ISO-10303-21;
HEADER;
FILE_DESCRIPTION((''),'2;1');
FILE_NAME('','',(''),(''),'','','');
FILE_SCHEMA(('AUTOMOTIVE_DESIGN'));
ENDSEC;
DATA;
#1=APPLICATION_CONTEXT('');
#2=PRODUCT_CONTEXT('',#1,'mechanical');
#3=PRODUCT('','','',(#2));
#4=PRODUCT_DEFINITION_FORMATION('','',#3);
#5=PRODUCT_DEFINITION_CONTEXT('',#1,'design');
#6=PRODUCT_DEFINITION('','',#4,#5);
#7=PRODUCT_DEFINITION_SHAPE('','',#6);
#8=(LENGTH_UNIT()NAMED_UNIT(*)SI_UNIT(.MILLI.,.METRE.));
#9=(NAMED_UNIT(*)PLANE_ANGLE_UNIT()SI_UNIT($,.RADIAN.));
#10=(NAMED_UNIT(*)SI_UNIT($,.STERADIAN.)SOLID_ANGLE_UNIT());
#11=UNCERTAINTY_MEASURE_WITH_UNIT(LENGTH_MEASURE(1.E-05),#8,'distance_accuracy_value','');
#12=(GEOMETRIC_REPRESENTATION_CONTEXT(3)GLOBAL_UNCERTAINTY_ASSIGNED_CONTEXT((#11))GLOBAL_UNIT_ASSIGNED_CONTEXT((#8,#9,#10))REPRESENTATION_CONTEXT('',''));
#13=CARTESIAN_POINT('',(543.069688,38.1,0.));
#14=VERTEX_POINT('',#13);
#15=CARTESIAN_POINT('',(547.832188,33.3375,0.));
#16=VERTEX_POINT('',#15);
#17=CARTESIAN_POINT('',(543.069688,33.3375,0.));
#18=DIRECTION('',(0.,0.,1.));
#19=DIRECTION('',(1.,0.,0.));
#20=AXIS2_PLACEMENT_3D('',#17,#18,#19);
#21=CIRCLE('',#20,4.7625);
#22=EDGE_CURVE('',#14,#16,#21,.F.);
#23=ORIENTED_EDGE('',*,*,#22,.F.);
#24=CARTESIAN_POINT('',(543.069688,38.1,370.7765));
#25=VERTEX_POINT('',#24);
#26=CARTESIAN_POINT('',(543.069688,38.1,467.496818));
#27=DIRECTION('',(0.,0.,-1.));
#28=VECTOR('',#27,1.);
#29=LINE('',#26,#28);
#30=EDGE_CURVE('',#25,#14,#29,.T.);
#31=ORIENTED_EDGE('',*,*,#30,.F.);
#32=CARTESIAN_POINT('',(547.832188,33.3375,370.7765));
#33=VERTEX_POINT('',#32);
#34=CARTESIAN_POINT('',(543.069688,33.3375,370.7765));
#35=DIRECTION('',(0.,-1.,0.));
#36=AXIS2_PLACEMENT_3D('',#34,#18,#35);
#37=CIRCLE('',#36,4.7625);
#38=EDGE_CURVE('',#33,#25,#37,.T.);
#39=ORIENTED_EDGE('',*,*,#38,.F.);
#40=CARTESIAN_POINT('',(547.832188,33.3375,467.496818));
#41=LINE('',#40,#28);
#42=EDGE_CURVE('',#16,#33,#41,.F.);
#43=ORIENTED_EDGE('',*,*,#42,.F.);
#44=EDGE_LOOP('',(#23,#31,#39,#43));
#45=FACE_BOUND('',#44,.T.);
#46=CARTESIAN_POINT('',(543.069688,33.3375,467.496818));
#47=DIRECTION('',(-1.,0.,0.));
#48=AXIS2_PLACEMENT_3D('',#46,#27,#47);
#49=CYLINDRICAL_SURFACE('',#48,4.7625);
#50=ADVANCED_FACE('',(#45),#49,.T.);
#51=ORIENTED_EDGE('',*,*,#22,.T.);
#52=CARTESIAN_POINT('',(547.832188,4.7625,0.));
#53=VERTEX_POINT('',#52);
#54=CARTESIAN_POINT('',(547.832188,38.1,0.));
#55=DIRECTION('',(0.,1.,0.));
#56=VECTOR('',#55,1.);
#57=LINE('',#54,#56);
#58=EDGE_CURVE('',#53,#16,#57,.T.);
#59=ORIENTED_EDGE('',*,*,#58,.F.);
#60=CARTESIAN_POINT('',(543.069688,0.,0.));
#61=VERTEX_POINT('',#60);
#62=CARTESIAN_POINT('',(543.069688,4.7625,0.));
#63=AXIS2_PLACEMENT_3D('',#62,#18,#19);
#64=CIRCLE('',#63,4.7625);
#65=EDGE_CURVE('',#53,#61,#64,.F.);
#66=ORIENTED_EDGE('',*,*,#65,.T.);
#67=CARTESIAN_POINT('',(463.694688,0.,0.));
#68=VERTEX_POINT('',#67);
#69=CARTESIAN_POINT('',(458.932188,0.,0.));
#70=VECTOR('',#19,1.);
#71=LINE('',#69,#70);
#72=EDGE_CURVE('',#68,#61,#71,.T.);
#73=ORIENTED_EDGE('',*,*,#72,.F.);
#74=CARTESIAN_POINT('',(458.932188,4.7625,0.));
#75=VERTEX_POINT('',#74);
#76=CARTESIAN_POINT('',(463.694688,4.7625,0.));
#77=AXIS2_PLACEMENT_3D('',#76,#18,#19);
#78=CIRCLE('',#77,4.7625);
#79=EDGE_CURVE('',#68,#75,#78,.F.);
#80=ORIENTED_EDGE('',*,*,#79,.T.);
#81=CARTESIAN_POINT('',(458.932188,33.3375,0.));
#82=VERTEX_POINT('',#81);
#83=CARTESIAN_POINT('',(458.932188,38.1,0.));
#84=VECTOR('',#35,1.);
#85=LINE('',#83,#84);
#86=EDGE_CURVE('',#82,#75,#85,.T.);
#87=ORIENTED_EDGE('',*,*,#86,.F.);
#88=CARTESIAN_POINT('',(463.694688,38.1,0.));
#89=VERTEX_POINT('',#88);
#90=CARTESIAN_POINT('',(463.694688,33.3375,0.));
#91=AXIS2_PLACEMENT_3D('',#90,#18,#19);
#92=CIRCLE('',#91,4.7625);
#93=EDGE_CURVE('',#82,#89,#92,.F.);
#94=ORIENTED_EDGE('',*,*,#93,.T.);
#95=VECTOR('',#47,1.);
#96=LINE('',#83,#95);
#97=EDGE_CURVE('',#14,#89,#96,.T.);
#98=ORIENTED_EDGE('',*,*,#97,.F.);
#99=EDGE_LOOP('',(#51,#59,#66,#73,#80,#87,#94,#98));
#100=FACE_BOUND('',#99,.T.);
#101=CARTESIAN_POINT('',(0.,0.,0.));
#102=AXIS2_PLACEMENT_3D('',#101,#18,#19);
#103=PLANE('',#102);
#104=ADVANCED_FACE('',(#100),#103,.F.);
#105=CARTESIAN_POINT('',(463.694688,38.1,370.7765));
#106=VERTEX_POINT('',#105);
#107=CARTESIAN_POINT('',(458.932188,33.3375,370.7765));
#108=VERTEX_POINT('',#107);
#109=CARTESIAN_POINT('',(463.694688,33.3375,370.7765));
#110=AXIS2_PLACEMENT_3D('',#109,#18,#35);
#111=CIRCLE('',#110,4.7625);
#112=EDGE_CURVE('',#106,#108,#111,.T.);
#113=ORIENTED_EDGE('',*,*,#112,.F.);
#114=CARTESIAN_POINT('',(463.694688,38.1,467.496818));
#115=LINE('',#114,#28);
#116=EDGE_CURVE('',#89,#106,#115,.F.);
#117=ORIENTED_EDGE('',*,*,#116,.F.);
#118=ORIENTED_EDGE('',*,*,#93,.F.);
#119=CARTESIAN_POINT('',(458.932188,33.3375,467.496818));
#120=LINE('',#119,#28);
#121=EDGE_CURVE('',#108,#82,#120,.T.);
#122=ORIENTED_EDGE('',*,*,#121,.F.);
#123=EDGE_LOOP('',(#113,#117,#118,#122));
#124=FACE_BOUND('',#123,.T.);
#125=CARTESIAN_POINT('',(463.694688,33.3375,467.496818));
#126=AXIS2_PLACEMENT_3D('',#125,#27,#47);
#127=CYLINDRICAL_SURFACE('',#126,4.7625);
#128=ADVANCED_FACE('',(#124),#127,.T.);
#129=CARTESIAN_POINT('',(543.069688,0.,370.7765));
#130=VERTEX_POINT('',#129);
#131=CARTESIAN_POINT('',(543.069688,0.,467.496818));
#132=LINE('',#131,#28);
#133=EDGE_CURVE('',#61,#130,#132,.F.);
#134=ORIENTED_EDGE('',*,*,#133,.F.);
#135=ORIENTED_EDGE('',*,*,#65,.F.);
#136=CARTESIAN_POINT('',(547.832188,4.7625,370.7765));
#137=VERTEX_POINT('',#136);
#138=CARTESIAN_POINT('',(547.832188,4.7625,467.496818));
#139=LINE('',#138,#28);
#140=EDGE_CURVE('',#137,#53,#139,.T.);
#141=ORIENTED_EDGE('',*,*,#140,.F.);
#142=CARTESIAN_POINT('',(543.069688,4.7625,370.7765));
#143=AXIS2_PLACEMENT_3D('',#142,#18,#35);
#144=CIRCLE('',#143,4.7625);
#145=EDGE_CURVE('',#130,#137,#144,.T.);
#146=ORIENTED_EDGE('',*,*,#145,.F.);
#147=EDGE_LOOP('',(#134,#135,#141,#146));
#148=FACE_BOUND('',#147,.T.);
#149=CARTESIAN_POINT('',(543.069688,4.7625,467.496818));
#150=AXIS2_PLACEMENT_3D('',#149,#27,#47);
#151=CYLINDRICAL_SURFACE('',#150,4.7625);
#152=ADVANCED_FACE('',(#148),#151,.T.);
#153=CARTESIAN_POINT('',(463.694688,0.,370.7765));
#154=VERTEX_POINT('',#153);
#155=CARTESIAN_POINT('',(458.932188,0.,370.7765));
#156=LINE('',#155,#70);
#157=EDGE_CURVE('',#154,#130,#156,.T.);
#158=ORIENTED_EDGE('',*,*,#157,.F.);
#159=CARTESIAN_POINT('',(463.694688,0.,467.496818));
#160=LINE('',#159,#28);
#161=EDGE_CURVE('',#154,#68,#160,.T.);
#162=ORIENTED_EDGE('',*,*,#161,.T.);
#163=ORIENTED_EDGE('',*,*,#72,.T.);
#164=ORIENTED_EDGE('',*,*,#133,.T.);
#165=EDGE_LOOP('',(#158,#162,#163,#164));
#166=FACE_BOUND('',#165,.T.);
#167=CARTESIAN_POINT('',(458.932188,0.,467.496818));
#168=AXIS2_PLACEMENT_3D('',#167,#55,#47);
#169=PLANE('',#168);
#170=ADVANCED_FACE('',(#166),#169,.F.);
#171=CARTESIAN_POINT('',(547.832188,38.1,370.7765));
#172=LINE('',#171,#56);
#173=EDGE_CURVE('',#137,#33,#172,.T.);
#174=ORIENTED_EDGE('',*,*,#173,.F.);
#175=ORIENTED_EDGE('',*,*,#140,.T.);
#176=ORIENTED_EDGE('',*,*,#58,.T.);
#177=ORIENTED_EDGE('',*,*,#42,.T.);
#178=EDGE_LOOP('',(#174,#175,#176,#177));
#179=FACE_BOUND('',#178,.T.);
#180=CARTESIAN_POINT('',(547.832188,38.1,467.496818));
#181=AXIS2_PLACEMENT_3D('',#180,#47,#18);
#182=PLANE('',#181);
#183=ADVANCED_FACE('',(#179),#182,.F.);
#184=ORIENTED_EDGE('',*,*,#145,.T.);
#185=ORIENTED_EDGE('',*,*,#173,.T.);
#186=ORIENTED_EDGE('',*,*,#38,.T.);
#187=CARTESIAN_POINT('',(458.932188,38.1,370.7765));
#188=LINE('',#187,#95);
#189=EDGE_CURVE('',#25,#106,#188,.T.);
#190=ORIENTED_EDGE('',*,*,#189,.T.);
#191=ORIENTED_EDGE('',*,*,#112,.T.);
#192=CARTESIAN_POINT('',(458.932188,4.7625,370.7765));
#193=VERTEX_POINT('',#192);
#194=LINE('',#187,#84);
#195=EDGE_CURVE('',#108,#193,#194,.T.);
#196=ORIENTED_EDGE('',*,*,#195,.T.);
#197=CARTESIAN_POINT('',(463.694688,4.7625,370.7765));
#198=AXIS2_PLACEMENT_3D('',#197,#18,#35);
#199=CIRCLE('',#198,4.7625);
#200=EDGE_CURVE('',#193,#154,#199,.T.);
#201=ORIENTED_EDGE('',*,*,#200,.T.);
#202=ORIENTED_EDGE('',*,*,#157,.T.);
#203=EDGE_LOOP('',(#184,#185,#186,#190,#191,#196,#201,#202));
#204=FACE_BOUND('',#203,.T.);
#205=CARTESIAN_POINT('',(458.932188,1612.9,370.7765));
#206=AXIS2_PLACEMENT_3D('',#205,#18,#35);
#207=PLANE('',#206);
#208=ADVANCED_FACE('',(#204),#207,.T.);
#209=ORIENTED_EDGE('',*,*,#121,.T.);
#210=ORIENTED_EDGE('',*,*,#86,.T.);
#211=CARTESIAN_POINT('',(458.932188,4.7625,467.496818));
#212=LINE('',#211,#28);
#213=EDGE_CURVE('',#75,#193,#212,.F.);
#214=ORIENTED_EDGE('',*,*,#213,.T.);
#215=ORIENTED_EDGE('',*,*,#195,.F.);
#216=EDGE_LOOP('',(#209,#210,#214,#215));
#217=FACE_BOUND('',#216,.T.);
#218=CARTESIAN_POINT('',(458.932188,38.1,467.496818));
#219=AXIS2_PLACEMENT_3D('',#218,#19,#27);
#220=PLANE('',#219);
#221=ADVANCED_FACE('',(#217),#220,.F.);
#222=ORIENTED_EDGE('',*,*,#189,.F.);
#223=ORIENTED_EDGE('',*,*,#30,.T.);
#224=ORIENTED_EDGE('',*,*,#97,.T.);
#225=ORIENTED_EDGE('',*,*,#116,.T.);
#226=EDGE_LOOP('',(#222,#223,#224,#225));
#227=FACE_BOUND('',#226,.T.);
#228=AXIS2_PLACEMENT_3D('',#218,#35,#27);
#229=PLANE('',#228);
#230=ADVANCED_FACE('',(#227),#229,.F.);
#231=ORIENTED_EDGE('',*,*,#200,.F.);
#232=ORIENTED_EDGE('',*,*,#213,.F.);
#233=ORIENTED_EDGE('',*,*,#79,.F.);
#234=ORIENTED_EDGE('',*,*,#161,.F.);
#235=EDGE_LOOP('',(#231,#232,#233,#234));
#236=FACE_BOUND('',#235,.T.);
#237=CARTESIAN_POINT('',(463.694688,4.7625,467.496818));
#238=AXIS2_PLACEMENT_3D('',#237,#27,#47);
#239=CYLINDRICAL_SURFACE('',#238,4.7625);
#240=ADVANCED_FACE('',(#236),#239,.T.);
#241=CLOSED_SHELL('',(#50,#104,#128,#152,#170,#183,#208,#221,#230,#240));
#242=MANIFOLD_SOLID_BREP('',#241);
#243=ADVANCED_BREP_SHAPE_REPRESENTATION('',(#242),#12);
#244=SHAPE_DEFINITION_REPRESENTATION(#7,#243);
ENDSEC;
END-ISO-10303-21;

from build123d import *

# Parameters (mm, degrees)
SKETCH1_W           = 88.9
SKETCH1_H           = 38.1
BOSS_EXTRUDE1_DEPTH = 370.7765
FILLET1_R           = 4.7625


with BuildPart() as part:
    # Sketch1 → Boss-Extrude1 (new body)
    with BuildSketch(Plane.XY):
        with Locations((503.382187925, 19.05)):
            Rectangle(SKETCH1_W, SKETCH1_H)
    extrude(amount=BOSS_EXTRUDE1_DEPTH)

    # Fillet1
    fillet1_edges = [part.edges().sort_by_distance(p)[0] for p in [
        (547.832187925, 0, 185.38825),
        (547.832187925, 38.1, 185.38825),
        (458.932187925, 38.1, 185.38825),
        (458.932187925, 0, 185.38825),
    ]]
    fillet(fillet1_edges, radius=FILLET1_R)


solid = part.part
